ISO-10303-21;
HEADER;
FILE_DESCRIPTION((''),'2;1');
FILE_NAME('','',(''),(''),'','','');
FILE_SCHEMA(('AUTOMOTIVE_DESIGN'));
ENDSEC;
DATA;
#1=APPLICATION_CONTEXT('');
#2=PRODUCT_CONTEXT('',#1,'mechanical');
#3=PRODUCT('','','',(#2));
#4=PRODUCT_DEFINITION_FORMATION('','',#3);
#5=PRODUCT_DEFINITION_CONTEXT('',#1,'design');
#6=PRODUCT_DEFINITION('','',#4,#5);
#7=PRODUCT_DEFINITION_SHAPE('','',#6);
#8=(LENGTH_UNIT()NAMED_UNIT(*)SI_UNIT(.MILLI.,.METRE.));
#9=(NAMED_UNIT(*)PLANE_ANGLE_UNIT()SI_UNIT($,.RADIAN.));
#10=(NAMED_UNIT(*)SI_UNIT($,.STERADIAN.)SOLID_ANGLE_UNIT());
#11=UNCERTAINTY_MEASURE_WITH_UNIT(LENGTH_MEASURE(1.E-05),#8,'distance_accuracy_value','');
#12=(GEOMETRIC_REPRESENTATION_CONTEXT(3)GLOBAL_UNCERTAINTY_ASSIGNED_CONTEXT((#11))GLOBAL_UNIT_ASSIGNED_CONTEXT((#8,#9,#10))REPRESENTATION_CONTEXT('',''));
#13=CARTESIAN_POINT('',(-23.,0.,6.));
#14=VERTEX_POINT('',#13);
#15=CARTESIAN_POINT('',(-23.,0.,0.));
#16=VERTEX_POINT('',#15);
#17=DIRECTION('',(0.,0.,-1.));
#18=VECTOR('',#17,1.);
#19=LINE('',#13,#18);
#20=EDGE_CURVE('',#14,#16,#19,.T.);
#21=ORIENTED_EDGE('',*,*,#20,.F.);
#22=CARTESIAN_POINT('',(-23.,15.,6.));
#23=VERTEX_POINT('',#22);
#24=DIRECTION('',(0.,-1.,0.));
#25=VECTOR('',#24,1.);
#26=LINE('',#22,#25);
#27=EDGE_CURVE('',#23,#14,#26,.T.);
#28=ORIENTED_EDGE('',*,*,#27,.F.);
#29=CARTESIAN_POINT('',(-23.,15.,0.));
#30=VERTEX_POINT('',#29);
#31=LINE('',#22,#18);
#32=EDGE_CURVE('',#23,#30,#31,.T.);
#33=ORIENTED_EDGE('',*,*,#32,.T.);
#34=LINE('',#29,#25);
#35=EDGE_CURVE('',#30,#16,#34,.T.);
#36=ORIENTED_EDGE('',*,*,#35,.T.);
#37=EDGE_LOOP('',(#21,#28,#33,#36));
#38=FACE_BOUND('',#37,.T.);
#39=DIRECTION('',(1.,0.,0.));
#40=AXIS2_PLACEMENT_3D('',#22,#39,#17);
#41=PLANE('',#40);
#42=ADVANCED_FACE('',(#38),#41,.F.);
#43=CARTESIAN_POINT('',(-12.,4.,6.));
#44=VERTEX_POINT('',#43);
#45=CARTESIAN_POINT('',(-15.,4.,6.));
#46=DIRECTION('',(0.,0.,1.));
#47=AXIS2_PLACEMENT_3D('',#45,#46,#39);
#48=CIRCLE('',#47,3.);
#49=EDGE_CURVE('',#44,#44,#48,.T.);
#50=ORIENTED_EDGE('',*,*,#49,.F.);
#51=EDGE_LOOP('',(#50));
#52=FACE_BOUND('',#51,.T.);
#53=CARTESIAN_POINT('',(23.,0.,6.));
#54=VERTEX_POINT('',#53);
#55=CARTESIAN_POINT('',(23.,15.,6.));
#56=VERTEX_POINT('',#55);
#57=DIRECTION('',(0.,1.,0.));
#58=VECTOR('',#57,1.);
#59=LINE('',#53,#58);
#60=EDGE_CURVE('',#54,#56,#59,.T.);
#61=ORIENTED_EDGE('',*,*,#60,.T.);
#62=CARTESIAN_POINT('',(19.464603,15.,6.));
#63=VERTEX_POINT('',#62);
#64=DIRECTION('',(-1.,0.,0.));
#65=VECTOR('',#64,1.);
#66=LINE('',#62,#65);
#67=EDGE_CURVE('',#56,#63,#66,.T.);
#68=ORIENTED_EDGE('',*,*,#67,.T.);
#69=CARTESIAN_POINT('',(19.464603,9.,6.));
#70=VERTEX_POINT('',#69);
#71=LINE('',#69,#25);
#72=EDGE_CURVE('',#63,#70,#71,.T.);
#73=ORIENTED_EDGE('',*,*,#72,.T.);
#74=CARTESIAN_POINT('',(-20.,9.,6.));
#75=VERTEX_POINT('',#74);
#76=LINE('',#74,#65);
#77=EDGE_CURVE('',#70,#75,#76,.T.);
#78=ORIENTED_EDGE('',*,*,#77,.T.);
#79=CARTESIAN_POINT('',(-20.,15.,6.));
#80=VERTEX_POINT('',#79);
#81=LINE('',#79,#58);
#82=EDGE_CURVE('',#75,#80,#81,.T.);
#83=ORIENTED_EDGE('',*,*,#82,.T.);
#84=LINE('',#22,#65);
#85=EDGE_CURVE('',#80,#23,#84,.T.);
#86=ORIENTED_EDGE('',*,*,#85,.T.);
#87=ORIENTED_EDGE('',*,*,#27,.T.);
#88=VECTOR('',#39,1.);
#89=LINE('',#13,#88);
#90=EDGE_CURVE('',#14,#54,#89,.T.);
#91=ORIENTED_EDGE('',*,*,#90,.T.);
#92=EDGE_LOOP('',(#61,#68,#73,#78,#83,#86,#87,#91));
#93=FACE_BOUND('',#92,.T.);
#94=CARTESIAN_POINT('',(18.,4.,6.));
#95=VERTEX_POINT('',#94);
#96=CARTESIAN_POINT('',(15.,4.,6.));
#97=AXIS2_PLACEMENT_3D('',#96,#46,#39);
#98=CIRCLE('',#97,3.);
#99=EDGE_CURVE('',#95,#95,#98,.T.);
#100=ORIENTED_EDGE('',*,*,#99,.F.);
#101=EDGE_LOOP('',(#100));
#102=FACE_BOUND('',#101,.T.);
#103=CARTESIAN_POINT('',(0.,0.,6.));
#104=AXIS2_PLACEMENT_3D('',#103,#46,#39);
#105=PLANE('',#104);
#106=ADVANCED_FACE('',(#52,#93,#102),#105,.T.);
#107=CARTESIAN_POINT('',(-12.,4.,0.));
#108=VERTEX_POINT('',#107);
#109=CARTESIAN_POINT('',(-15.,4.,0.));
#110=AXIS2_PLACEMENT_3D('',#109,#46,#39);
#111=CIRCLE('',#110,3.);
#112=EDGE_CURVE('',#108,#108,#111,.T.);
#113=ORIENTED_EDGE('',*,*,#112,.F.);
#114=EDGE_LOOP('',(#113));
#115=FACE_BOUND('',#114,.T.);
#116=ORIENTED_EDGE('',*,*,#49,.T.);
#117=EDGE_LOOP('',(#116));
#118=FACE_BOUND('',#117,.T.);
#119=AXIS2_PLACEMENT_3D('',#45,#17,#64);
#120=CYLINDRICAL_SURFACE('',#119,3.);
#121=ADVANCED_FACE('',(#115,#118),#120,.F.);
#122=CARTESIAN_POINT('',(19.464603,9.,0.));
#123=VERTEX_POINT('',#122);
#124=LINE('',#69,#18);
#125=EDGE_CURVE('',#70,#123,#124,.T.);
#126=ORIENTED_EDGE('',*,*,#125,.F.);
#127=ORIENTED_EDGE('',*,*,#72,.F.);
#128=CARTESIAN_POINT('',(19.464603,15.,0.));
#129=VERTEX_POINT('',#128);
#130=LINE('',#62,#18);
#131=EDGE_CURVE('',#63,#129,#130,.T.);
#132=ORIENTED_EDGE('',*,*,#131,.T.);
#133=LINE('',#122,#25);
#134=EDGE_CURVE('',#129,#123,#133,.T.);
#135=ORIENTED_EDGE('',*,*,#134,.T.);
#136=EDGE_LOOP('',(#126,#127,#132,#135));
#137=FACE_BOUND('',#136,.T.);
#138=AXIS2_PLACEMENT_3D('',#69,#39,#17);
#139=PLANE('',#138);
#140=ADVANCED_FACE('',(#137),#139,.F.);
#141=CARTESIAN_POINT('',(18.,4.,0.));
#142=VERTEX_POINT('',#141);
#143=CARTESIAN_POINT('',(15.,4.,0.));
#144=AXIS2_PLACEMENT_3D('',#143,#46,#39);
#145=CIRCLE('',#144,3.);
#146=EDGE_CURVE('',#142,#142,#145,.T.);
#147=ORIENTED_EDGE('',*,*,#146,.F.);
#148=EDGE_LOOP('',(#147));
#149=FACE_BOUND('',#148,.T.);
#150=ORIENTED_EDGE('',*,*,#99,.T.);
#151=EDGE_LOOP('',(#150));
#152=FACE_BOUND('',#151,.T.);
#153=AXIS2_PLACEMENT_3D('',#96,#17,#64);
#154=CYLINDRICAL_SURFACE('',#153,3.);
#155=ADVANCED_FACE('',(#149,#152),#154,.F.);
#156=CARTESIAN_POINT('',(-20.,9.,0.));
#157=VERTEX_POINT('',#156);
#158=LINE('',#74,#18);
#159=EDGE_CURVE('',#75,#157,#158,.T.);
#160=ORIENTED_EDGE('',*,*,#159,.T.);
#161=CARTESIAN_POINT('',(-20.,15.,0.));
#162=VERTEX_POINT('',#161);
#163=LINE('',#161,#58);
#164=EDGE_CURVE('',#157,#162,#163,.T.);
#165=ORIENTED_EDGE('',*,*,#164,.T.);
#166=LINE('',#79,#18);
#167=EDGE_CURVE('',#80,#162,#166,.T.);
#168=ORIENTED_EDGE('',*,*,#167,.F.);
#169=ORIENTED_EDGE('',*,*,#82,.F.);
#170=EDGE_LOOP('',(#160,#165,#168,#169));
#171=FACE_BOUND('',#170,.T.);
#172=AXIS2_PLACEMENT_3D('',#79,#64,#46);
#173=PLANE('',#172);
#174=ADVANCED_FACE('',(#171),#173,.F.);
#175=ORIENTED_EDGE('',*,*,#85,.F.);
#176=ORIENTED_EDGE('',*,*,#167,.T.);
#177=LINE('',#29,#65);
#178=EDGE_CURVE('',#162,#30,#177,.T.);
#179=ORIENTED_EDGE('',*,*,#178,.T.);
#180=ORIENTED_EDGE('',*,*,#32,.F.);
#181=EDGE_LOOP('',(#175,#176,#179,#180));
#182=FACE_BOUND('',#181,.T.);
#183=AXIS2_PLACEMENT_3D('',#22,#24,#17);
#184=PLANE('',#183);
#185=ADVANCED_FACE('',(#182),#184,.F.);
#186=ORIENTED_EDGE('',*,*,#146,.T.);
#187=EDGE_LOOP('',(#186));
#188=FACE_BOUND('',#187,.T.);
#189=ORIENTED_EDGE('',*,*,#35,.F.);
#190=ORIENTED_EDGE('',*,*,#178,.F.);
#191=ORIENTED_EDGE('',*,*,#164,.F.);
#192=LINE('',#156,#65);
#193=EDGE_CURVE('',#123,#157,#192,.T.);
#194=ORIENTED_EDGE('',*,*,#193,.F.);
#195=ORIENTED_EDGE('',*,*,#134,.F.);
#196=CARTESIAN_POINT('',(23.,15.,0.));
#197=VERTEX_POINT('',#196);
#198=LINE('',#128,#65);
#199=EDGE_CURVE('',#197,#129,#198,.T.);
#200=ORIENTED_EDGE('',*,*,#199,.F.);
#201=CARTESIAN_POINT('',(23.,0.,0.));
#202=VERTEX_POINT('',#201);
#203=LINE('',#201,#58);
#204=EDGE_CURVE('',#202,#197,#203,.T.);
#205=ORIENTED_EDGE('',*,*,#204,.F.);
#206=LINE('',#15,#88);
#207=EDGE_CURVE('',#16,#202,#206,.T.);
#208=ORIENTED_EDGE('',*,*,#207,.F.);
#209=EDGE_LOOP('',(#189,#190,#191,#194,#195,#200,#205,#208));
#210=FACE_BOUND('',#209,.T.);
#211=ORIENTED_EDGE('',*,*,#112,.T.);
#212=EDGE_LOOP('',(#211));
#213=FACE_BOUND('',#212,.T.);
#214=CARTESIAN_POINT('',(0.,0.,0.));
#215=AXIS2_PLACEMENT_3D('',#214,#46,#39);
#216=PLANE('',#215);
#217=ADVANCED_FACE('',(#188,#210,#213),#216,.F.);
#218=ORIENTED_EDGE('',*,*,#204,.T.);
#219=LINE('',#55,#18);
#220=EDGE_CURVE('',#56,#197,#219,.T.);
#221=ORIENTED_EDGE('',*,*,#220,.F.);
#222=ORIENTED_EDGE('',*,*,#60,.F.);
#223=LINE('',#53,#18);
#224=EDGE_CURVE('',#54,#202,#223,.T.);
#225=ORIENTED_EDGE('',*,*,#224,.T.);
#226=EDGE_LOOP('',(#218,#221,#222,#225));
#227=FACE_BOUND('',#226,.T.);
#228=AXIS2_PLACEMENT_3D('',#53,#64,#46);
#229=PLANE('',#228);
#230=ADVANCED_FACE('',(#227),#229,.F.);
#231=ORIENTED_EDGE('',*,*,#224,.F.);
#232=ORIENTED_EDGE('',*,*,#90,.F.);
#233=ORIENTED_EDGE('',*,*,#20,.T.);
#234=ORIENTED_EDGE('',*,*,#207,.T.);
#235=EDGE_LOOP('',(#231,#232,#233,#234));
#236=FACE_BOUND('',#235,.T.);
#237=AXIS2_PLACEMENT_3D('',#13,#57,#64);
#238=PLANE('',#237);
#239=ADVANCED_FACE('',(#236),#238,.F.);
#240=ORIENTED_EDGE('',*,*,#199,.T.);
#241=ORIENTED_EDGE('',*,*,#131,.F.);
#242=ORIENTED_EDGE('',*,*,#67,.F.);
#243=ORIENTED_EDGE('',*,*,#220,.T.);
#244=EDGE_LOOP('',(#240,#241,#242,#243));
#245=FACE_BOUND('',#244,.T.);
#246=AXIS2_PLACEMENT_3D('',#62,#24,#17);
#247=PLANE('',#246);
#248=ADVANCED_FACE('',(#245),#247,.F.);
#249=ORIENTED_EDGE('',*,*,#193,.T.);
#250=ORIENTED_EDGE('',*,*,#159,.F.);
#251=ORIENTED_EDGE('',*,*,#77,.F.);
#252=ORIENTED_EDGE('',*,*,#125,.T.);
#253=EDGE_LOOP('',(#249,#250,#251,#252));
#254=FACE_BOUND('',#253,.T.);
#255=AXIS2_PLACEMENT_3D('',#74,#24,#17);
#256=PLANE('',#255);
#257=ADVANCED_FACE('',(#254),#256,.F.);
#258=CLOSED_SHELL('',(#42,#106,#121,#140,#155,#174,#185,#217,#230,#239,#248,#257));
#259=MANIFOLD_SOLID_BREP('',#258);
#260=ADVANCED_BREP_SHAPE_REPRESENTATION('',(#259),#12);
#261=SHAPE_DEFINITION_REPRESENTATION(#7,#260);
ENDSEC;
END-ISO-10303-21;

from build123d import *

# Parameters (mm, degrees)
ESQUISSE1_R        = 3
BOSS_EXTRU_1_DEPTH = 6


with BuildPart() as part:
    # Esquisse1 → Boss.-Extru.1 (new body)
    with BuildSketch(Plane.XY):
        Polygon((-23, 0), (23, 0), (23, 15), (19.464603072, 15), (19.464603072, 9), (-20, 9), (-20, 15), (-23, 15), align=None)
        with Locations((-15, 4)):
            Circle(ESQUISSE1_R, mode=Mode.SUBTRACT)
        with Locations((15, 4)):
            Circle(ESQUISSE1_R, mode=Mode.SUBTRACT)
    extrude(amount=BOSS_EXTRU_1_DEPTH)


solid = part.part
